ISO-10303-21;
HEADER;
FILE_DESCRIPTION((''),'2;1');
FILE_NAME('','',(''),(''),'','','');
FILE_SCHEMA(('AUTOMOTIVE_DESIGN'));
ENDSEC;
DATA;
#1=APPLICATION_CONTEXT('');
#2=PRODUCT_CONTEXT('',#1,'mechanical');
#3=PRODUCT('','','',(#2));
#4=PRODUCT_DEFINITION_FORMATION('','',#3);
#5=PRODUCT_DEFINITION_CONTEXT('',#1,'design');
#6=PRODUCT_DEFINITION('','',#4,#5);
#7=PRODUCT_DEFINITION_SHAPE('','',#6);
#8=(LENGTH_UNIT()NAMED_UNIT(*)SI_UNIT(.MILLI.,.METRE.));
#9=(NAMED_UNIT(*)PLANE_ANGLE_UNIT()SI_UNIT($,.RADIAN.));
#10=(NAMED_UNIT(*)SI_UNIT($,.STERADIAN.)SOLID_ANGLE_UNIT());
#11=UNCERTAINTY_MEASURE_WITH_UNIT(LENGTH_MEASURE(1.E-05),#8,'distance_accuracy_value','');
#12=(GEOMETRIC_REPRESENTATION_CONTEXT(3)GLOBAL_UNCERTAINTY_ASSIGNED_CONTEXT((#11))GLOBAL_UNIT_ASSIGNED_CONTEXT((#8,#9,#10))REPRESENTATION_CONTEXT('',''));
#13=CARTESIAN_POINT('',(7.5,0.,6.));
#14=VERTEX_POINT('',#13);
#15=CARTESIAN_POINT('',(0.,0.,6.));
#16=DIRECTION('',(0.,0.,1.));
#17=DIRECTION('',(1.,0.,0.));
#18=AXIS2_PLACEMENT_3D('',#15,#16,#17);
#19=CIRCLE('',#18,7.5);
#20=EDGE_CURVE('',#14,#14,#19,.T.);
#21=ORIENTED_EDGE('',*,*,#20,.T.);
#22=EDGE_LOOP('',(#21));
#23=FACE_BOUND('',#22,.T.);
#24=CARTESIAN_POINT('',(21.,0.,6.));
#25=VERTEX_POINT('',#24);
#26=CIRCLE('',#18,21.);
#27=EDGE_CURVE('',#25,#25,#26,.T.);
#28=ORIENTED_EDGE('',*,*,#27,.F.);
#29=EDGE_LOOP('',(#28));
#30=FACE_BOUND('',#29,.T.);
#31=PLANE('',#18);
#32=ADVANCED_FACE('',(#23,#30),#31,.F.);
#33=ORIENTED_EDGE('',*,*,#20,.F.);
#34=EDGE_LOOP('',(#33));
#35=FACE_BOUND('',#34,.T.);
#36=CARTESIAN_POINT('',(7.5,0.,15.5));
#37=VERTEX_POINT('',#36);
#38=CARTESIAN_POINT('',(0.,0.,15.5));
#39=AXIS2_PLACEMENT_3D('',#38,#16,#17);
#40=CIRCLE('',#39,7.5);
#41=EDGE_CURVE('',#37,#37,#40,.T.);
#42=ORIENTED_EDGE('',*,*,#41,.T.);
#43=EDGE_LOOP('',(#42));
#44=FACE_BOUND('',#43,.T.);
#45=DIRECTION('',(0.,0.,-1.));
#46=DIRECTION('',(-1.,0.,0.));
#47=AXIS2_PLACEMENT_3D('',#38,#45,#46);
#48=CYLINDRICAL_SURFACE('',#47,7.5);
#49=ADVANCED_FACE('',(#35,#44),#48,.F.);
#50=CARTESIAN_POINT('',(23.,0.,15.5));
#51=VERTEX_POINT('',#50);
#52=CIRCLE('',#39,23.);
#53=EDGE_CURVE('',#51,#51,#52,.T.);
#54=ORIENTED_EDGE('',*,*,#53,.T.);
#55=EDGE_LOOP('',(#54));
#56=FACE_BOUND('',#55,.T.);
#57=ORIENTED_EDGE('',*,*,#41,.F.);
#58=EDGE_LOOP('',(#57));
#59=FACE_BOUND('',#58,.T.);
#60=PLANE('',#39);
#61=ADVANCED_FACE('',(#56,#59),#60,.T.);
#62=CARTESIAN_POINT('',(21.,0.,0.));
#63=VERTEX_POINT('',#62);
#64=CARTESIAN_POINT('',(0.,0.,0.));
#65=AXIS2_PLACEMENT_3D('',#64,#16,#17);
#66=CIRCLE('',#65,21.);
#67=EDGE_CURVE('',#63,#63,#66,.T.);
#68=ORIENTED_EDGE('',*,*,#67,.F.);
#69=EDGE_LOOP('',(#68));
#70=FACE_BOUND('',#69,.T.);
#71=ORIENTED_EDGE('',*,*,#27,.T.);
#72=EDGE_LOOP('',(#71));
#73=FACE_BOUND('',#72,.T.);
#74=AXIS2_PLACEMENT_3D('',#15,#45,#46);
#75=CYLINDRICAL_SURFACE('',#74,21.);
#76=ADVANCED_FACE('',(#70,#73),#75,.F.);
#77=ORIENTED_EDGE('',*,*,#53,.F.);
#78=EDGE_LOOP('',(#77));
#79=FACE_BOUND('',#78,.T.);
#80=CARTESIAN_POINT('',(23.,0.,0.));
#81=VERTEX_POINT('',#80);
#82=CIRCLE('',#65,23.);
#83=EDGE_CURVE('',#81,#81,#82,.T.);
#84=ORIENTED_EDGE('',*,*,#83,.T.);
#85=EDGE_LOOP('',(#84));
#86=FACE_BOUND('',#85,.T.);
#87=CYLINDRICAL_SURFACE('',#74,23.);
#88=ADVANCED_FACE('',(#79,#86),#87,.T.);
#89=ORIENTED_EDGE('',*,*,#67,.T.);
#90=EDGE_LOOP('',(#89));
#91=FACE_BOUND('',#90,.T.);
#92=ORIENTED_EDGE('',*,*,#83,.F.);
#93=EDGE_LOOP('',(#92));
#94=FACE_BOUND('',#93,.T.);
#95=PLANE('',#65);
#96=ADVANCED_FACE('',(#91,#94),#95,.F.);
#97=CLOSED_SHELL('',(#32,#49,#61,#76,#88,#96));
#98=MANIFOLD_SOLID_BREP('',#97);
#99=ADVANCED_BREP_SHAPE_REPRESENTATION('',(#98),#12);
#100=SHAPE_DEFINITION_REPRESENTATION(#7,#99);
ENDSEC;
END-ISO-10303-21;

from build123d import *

# Parameters (mm, degrees)
SKETCH_1_R      = 23
SKETCH_1_R_2    = 21
EXTRUDE_1_DEPTH = 6
SKETCH_2_R      = 23
SKETCH_2_R_2    = 7.5
EXTRUDE_2_DEPTH = 9.5


with BuildPart() as part:
    # 草图1 → 凸台-拉伸1 (new body)
    with BuildSketch(Plane.XY):
        Circle(SKETCH_1_R)
        Circle(SKETCH_1_R_2, mode=Mode.SUBTRACT)
    extrude(amount=EXTRUDE_1_DEPTH)

    # 草图2 → 凸台-拉伸2 (add)
    with BuildSketch(Plane.XY.offset(6)):
        Circle(SKETCH_2_R)
        Circle(SKETCH_2_R_2, mode=Mode.SUBTRACT)
    extrude(amount=EXTRUDE_2_DEPTH)


solid = part.part
